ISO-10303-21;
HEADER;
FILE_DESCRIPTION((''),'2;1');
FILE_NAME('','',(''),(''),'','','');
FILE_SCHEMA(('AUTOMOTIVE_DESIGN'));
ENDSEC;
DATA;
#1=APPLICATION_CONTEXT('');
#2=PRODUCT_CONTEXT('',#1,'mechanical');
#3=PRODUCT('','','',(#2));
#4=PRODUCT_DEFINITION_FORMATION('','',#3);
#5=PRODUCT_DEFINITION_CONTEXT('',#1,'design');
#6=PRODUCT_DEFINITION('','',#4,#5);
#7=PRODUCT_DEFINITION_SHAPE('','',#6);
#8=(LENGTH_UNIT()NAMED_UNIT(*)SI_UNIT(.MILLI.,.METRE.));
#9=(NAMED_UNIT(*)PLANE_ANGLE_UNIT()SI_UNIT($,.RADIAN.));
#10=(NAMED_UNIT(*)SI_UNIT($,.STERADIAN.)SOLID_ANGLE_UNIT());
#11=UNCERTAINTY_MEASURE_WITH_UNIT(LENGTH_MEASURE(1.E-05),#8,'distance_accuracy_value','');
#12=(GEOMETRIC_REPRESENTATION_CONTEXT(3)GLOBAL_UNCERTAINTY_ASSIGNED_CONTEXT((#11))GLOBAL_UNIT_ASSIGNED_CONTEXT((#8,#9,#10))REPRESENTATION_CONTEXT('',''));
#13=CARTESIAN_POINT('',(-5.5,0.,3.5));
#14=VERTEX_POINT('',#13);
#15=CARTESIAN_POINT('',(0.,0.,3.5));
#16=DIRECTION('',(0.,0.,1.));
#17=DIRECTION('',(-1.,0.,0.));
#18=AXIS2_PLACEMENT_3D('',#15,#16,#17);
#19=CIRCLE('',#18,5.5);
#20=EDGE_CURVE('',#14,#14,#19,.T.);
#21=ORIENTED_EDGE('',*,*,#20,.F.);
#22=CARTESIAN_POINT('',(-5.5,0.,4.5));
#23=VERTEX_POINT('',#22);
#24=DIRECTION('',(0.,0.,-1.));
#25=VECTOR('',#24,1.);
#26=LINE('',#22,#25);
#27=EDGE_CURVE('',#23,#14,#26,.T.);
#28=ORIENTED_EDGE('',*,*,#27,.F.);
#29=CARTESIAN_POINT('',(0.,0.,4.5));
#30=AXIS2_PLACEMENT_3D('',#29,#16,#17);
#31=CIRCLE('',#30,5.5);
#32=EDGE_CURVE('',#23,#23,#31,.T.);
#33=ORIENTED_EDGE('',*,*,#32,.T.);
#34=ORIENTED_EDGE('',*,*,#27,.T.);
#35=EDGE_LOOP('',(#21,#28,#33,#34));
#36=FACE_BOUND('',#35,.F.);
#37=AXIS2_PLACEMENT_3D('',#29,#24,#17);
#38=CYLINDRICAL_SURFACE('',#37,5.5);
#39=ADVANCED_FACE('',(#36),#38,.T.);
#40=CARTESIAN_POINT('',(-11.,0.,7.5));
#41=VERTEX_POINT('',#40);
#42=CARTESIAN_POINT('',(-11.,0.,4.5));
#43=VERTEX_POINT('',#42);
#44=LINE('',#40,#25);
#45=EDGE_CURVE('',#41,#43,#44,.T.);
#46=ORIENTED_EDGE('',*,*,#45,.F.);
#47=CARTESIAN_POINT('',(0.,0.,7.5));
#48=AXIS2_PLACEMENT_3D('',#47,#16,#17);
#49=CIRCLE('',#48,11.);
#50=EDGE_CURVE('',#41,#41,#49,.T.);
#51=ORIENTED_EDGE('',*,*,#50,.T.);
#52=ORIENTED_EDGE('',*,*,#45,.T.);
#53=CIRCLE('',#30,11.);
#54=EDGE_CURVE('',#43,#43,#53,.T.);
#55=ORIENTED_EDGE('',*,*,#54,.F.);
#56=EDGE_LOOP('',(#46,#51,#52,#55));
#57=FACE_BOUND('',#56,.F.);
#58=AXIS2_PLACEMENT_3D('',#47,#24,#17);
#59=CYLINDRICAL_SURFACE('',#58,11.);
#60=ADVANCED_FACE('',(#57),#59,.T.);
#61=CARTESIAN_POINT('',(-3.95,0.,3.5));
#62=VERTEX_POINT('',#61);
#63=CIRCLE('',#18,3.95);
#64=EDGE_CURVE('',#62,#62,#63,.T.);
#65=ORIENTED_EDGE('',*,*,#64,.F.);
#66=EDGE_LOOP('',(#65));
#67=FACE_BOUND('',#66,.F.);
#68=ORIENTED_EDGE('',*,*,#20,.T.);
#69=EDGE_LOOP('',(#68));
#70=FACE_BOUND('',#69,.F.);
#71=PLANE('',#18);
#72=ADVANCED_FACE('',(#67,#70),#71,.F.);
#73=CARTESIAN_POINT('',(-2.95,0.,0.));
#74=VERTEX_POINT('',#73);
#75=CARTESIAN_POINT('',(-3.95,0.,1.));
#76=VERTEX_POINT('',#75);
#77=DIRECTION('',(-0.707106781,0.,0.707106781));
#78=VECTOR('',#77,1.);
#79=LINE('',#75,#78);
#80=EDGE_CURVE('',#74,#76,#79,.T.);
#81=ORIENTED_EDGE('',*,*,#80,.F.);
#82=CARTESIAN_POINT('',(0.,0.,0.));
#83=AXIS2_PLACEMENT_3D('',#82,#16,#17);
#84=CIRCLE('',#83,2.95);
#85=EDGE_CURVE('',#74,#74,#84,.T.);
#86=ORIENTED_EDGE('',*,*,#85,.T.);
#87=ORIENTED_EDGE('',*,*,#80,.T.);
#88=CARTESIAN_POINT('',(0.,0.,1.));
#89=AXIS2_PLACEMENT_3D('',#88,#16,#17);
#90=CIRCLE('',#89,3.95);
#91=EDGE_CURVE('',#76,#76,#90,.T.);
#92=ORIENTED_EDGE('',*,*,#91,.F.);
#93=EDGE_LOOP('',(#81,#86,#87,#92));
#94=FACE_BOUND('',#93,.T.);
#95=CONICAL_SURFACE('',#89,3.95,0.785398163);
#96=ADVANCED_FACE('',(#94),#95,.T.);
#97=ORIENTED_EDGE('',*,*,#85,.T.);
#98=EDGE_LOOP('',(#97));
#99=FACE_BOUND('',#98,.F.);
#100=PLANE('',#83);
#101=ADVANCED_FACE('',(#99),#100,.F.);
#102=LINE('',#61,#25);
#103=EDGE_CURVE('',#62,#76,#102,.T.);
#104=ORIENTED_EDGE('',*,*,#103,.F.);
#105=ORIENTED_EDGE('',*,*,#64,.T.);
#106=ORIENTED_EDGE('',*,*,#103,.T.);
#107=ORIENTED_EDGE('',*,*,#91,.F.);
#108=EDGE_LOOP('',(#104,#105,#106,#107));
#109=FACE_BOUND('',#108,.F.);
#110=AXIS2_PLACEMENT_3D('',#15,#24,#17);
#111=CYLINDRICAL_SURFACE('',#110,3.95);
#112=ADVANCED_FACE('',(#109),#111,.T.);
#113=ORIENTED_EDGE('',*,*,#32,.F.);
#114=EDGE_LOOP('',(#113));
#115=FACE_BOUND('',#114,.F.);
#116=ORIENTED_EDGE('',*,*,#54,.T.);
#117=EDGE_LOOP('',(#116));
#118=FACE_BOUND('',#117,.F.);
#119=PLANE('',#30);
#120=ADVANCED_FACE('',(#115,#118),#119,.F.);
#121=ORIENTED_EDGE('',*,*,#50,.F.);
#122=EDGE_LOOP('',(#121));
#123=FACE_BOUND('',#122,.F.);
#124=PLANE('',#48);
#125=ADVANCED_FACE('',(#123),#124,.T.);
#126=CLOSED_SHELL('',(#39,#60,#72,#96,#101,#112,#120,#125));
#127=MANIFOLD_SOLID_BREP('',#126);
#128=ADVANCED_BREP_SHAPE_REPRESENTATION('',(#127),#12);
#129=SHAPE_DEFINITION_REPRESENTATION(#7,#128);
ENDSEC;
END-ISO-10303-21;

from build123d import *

# Parameters (mm, degrees)
F2_SIZE = 1


with BuildPart() as f1:
    # F0 (on Front) → F1 (revolve)
    with BuildSketch(Plane.XZ):
        Polygon((-3.95, 0), (0, 0), (0, 7.5), (-11, 7.5), (-11, 4.5), (-5.5, 4.5), (-5.5, 3.5), (-3.95, 3.5), align=None)
    revolve(axis=Axis((0, 0, 3.75), (0, 0, 1)))

    # F2
    f2_edges = [f1.edges().sort_by_distance(p)[0] for p in [
        (3.95, 0, 0),
    ]]
    chamfer(f2_edges, length=F2_SIZE)


solid = f1.part
